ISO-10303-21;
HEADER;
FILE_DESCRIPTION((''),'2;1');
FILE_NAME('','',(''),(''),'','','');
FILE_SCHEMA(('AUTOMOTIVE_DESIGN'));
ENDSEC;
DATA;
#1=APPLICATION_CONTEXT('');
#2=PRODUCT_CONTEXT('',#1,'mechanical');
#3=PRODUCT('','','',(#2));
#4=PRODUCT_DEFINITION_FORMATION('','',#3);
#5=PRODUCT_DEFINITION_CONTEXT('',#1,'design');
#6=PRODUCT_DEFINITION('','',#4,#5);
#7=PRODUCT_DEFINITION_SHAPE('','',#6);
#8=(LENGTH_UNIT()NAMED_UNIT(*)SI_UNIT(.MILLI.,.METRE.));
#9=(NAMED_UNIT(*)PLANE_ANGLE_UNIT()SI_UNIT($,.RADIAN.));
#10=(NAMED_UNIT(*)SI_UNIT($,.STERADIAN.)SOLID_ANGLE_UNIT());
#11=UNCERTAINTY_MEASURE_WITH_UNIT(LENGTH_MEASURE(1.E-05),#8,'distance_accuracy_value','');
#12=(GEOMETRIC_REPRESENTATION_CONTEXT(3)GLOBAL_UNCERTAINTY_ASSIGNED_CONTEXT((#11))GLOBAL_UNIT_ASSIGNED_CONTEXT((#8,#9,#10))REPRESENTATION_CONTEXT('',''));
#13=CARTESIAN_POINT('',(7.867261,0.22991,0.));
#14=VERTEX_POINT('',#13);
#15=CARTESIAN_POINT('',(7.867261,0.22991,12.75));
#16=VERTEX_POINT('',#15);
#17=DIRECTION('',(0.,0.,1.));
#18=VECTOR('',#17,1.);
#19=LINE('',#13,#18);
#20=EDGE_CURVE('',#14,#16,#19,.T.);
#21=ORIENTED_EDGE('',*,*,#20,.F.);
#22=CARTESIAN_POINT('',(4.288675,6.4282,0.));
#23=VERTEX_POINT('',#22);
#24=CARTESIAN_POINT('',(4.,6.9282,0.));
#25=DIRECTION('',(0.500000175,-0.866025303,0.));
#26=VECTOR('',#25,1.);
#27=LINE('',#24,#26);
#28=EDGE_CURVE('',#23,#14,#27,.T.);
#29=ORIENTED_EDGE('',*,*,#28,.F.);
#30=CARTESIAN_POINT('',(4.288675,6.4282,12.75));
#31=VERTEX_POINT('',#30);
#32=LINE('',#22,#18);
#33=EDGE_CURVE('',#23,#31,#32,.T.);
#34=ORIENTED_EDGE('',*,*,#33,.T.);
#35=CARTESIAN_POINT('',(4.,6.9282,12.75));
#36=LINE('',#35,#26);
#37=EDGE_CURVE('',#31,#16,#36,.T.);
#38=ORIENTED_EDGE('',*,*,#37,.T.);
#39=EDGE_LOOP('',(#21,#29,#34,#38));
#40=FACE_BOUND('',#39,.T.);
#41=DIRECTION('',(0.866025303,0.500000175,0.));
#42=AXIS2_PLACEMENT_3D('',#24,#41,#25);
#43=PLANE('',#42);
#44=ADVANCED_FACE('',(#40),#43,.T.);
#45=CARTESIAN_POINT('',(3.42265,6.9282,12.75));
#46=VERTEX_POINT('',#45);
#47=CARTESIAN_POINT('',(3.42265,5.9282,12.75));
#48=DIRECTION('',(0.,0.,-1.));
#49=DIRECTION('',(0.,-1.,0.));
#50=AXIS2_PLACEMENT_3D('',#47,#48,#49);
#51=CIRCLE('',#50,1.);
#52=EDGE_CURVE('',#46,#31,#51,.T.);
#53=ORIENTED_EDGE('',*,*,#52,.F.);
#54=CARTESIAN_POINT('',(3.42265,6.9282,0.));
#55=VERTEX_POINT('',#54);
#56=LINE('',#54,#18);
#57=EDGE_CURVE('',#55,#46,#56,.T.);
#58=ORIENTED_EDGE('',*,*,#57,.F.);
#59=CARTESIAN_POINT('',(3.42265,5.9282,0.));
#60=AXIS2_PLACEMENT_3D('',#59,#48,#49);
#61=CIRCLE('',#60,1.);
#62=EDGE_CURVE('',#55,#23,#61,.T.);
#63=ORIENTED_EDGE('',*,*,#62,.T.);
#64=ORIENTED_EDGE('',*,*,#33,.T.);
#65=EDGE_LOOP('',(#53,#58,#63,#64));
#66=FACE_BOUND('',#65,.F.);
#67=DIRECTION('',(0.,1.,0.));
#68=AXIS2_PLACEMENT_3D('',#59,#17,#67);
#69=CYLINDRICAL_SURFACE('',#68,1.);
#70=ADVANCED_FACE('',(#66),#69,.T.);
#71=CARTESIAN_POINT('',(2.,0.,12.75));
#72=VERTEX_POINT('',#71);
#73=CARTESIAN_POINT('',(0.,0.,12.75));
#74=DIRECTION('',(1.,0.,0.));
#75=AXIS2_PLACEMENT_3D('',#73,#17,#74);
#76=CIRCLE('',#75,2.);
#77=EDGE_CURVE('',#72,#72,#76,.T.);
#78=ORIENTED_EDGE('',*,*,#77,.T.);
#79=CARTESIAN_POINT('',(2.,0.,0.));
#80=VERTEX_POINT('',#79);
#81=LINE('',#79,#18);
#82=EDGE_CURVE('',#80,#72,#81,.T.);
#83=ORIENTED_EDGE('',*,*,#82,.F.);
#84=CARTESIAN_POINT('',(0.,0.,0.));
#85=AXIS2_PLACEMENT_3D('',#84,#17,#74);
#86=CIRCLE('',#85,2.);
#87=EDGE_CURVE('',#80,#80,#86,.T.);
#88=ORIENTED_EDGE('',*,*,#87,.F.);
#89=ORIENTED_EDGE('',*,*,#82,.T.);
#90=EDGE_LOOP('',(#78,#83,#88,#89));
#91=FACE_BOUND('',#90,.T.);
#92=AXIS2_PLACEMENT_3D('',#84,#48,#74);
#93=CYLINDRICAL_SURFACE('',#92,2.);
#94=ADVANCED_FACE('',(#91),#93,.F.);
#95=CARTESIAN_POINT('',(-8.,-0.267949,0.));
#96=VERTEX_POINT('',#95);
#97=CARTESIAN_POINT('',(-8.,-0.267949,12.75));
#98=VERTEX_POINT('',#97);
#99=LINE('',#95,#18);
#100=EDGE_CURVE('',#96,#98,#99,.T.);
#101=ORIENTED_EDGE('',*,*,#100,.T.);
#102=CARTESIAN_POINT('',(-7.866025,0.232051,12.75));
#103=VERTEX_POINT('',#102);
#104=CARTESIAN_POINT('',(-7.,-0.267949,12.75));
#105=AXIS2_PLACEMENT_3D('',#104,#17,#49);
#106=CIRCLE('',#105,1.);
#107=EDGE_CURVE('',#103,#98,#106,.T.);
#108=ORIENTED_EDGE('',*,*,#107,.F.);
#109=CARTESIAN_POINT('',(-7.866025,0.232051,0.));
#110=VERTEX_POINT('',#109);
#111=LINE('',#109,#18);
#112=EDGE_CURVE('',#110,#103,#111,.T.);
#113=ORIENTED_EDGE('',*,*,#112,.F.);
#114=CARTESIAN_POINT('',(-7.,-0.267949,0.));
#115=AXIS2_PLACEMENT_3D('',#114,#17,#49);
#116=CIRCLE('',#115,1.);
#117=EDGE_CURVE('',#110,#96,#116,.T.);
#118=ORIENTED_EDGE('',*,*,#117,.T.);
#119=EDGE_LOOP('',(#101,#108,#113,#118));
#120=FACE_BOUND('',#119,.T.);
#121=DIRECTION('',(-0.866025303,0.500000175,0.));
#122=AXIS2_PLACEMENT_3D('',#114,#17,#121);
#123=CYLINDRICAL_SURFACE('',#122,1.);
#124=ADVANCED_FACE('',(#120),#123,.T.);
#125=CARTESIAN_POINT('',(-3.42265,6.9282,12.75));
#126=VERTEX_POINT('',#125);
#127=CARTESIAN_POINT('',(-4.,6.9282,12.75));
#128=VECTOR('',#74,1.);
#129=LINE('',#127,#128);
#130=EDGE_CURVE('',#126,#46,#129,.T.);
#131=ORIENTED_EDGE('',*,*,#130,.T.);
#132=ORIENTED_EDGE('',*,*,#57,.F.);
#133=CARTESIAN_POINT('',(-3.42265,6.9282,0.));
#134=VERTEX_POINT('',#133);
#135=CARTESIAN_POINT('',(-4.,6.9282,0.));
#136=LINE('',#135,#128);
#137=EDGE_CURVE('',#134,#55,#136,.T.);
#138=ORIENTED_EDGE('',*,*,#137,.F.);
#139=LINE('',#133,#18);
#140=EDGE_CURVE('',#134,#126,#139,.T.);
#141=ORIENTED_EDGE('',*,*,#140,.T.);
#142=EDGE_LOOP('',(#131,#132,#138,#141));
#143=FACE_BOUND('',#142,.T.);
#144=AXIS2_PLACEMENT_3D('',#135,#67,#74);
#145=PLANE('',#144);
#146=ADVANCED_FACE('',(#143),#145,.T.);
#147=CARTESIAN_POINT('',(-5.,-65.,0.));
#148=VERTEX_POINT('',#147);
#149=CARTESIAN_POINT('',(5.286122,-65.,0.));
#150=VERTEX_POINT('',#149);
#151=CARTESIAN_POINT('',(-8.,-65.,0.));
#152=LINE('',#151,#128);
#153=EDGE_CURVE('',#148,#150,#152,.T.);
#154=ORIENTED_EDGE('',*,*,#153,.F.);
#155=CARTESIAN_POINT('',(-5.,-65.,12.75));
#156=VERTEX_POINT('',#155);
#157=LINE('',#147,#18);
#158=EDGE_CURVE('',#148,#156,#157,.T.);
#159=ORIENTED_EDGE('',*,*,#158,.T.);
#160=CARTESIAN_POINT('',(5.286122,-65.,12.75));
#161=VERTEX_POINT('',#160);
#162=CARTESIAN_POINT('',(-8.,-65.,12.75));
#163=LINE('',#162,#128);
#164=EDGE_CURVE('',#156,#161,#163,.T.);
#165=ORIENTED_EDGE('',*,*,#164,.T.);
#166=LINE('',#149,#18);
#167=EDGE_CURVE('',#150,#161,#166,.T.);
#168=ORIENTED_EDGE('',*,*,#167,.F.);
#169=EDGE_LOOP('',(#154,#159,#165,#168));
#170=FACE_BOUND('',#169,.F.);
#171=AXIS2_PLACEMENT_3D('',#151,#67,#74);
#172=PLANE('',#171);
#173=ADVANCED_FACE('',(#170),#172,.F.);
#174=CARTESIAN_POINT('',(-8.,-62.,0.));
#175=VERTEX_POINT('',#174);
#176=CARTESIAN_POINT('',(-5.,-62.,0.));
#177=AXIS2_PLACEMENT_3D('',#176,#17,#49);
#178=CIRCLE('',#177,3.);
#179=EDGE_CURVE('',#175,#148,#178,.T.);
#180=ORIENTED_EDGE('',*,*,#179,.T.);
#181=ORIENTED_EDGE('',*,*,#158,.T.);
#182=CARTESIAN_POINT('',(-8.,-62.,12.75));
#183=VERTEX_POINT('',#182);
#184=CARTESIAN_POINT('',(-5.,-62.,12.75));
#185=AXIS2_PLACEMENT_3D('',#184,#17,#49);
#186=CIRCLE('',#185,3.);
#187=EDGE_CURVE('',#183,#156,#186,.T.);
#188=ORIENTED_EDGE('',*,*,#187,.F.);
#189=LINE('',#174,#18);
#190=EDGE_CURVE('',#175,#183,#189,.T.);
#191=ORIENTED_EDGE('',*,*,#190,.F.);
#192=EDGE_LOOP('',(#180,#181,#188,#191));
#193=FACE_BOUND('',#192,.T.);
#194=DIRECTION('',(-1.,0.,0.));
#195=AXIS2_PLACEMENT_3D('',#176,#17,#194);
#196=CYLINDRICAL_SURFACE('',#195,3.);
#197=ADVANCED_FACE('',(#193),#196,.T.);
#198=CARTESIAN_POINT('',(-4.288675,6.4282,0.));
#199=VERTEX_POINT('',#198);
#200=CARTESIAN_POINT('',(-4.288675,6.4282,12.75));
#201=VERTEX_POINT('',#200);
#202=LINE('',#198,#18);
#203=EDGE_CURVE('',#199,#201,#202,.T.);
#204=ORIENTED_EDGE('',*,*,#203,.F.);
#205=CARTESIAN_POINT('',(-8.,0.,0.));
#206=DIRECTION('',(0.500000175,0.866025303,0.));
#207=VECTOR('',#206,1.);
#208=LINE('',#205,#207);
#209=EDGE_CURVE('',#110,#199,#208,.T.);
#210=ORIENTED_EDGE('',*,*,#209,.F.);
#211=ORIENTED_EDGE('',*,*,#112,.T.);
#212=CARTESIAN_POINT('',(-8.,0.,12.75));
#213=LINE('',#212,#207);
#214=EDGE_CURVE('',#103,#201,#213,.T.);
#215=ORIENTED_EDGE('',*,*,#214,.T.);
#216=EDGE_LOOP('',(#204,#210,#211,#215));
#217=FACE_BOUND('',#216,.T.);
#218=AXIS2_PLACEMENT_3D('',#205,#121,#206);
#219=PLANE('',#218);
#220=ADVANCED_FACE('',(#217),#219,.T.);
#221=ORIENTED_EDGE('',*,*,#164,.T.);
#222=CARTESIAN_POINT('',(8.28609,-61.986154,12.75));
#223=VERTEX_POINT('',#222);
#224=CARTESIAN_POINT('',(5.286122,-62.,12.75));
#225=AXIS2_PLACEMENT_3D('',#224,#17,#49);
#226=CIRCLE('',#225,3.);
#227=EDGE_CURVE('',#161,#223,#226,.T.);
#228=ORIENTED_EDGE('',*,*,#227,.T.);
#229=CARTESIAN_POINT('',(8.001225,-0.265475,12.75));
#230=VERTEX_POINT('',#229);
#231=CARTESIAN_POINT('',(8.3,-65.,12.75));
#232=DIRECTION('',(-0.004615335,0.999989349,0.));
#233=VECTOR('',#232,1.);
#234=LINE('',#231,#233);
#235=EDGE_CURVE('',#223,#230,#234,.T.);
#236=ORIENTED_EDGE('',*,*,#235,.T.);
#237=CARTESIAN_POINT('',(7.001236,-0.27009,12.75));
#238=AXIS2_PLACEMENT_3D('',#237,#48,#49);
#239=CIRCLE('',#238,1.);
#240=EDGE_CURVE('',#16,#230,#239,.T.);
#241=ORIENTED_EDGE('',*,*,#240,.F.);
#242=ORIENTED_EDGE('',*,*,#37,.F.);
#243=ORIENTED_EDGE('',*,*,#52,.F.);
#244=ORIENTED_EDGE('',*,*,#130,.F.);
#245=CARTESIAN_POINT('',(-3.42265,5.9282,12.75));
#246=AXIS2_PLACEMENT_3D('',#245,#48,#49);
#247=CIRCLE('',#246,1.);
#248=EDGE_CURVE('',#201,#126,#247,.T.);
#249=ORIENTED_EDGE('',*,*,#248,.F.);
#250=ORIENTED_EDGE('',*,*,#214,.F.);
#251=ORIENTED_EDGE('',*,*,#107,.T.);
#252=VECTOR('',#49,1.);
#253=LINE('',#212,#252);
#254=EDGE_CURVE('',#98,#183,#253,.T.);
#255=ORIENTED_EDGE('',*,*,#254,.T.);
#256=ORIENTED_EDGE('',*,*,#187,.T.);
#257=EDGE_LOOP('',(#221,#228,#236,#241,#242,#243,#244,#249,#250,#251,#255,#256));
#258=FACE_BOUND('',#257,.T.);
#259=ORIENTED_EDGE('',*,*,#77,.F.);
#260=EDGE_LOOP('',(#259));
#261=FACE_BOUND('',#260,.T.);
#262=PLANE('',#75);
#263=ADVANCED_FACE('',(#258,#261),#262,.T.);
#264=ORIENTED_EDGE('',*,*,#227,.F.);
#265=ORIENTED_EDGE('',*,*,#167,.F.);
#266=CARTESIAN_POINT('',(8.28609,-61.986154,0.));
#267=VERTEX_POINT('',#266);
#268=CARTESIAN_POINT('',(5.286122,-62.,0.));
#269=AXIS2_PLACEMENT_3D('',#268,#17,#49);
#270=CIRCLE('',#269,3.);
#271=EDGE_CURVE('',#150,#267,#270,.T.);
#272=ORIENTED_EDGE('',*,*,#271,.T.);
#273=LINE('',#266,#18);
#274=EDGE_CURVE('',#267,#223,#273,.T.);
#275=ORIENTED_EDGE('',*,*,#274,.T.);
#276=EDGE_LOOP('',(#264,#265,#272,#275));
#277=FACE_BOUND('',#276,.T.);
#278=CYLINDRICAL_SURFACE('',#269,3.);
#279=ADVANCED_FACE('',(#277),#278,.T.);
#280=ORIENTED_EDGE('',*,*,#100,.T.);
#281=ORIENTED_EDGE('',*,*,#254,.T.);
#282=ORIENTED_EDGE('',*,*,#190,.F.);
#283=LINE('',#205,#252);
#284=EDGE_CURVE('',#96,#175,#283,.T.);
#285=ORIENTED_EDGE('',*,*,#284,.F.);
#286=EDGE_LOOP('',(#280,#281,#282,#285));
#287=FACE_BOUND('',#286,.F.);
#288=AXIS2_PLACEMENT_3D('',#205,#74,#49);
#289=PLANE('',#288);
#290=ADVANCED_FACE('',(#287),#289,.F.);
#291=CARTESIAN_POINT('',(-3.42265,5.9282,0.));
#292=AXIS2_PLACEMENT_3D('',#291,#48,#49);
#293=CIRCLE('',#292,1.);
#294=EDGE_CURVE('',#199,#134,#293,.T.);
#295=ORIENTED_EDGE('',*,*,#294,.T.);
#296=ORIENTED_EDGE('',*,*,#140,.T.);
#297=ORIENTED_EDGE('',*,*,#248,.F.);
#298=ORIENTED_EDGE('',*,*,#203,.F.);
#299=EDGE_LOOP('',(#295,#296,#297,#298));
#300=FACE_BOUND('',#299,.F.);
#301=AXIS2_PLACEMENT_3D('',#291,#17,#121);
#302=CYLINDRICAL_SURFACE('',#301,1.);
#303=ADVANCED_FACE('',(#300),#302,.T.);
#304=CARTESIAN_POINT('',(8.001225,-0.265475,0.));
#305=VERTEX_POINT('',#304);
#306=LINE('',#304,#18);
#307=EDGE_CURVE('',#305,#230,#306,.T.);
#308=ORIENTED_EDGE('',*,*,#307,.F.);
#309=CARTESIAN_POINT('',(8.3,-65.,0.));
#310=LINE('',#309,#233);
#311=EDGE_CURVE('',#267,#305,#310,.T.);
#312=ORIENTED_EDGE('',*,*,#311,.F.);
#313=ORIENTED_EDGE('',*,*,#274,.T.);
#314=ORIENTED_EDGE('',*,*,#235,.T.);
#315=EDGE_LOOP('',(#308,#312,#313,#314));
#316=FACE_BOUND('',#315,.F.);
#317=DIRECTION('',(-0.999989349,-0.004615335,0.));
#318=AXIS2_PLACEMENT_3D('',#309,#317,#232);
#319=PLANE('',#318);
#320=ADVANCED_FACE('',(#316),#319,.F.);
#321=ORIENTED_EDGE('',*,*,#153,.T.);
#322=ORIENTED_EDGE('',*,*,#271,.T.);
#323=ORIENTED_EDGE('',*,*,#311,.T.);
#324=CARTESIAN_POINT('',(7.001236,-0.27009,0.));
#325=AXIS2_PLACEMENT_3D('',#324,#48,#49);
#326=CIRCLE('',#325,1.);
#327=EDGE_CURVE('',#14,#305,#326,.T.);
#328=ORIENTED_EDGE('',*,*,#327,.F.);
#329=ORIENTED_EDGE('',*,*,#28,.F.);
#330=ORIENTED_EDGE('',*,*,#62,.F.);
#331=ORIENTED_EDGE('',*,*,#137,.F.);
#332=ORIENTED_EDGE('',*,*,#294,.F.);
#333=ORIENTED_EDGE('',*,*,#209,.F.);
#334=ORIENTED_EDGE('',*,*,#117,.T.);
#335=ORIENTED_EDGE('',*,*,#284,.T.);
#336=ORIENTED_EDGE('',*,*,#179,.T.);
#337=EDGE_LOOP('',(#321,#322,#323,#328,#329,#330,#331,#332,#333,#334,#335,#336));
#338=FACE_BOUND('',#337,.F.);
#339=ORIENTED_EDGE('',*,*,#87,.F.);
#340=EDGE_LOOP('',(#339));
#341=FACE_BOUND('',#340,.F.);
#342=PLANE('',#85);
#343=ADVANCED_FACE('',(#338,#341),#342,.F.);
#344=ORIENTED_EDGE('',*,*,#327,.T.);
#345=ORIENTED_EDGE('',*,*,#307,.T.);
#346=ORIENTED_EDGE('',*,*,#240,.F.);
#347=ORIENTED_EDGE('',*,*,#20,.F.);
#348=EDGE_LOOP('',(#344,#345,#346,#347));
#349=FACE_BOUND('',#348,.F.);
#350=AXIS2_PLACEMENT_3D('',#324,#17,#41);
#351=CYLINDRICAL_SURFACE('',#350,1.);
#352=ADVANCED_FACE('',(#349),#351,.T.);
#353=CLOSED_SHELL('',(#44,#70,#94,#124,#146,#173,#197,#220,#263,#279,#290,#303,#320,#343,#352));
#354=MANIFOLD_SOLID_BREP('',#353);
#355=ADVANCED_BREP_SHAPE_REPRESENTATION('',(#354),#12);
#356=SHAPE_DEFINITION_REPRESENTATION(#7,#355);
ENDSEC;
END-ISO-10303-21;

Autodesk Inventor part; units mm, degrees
ref_plane "YZ Plane" through (0, 0, 0) normal (1, 0, 0) x (0, 1, 0)
ref_plane "XZ Plane" through (0, 0, 0) normal (0, 1, 0) x (-1, 0, 0)
ref_plane "XY Plane" through (0, 0, 0) normal (0, 0, 1) x (1, 0, 0)
sketch "Sketch1" plane through (0, 0, 0) normal (0, 0, 1) x (1, 0, 0)
  circle A0 centre (0, 0) radius 2
  line L0 (-8, 0) -> (-8, -65)
  line L1 (-8, -65) -> (8.3, -65)
  line L2 (8.3, -65) -> (8, 0)
  line L3 (-8, 0) -> (-4, 6.9282)
  line L4 (-4, 6.9282) -> (4, 6.9282)
  line L5 (4, 6.9282) -> (8, 0)
  dimension "d0" = 4
  dimension "d2" = 65
  dimension "d3" = 16.3
extrude "Extrusion1" add sketch "Sketch1" along normal blind 12.75
fillet "Fillet1" radius 1 4 edges at (-4, 6.9282, 6.375) (4, 6.9282, 6.375) (8, 0, 6.375) (-8, 0, 6.375)
fillet "Fillet2" radius 3 2 edges at (8.3, -65, 6.375) (-8, -65, 6.375)
properties part number "real arm"
